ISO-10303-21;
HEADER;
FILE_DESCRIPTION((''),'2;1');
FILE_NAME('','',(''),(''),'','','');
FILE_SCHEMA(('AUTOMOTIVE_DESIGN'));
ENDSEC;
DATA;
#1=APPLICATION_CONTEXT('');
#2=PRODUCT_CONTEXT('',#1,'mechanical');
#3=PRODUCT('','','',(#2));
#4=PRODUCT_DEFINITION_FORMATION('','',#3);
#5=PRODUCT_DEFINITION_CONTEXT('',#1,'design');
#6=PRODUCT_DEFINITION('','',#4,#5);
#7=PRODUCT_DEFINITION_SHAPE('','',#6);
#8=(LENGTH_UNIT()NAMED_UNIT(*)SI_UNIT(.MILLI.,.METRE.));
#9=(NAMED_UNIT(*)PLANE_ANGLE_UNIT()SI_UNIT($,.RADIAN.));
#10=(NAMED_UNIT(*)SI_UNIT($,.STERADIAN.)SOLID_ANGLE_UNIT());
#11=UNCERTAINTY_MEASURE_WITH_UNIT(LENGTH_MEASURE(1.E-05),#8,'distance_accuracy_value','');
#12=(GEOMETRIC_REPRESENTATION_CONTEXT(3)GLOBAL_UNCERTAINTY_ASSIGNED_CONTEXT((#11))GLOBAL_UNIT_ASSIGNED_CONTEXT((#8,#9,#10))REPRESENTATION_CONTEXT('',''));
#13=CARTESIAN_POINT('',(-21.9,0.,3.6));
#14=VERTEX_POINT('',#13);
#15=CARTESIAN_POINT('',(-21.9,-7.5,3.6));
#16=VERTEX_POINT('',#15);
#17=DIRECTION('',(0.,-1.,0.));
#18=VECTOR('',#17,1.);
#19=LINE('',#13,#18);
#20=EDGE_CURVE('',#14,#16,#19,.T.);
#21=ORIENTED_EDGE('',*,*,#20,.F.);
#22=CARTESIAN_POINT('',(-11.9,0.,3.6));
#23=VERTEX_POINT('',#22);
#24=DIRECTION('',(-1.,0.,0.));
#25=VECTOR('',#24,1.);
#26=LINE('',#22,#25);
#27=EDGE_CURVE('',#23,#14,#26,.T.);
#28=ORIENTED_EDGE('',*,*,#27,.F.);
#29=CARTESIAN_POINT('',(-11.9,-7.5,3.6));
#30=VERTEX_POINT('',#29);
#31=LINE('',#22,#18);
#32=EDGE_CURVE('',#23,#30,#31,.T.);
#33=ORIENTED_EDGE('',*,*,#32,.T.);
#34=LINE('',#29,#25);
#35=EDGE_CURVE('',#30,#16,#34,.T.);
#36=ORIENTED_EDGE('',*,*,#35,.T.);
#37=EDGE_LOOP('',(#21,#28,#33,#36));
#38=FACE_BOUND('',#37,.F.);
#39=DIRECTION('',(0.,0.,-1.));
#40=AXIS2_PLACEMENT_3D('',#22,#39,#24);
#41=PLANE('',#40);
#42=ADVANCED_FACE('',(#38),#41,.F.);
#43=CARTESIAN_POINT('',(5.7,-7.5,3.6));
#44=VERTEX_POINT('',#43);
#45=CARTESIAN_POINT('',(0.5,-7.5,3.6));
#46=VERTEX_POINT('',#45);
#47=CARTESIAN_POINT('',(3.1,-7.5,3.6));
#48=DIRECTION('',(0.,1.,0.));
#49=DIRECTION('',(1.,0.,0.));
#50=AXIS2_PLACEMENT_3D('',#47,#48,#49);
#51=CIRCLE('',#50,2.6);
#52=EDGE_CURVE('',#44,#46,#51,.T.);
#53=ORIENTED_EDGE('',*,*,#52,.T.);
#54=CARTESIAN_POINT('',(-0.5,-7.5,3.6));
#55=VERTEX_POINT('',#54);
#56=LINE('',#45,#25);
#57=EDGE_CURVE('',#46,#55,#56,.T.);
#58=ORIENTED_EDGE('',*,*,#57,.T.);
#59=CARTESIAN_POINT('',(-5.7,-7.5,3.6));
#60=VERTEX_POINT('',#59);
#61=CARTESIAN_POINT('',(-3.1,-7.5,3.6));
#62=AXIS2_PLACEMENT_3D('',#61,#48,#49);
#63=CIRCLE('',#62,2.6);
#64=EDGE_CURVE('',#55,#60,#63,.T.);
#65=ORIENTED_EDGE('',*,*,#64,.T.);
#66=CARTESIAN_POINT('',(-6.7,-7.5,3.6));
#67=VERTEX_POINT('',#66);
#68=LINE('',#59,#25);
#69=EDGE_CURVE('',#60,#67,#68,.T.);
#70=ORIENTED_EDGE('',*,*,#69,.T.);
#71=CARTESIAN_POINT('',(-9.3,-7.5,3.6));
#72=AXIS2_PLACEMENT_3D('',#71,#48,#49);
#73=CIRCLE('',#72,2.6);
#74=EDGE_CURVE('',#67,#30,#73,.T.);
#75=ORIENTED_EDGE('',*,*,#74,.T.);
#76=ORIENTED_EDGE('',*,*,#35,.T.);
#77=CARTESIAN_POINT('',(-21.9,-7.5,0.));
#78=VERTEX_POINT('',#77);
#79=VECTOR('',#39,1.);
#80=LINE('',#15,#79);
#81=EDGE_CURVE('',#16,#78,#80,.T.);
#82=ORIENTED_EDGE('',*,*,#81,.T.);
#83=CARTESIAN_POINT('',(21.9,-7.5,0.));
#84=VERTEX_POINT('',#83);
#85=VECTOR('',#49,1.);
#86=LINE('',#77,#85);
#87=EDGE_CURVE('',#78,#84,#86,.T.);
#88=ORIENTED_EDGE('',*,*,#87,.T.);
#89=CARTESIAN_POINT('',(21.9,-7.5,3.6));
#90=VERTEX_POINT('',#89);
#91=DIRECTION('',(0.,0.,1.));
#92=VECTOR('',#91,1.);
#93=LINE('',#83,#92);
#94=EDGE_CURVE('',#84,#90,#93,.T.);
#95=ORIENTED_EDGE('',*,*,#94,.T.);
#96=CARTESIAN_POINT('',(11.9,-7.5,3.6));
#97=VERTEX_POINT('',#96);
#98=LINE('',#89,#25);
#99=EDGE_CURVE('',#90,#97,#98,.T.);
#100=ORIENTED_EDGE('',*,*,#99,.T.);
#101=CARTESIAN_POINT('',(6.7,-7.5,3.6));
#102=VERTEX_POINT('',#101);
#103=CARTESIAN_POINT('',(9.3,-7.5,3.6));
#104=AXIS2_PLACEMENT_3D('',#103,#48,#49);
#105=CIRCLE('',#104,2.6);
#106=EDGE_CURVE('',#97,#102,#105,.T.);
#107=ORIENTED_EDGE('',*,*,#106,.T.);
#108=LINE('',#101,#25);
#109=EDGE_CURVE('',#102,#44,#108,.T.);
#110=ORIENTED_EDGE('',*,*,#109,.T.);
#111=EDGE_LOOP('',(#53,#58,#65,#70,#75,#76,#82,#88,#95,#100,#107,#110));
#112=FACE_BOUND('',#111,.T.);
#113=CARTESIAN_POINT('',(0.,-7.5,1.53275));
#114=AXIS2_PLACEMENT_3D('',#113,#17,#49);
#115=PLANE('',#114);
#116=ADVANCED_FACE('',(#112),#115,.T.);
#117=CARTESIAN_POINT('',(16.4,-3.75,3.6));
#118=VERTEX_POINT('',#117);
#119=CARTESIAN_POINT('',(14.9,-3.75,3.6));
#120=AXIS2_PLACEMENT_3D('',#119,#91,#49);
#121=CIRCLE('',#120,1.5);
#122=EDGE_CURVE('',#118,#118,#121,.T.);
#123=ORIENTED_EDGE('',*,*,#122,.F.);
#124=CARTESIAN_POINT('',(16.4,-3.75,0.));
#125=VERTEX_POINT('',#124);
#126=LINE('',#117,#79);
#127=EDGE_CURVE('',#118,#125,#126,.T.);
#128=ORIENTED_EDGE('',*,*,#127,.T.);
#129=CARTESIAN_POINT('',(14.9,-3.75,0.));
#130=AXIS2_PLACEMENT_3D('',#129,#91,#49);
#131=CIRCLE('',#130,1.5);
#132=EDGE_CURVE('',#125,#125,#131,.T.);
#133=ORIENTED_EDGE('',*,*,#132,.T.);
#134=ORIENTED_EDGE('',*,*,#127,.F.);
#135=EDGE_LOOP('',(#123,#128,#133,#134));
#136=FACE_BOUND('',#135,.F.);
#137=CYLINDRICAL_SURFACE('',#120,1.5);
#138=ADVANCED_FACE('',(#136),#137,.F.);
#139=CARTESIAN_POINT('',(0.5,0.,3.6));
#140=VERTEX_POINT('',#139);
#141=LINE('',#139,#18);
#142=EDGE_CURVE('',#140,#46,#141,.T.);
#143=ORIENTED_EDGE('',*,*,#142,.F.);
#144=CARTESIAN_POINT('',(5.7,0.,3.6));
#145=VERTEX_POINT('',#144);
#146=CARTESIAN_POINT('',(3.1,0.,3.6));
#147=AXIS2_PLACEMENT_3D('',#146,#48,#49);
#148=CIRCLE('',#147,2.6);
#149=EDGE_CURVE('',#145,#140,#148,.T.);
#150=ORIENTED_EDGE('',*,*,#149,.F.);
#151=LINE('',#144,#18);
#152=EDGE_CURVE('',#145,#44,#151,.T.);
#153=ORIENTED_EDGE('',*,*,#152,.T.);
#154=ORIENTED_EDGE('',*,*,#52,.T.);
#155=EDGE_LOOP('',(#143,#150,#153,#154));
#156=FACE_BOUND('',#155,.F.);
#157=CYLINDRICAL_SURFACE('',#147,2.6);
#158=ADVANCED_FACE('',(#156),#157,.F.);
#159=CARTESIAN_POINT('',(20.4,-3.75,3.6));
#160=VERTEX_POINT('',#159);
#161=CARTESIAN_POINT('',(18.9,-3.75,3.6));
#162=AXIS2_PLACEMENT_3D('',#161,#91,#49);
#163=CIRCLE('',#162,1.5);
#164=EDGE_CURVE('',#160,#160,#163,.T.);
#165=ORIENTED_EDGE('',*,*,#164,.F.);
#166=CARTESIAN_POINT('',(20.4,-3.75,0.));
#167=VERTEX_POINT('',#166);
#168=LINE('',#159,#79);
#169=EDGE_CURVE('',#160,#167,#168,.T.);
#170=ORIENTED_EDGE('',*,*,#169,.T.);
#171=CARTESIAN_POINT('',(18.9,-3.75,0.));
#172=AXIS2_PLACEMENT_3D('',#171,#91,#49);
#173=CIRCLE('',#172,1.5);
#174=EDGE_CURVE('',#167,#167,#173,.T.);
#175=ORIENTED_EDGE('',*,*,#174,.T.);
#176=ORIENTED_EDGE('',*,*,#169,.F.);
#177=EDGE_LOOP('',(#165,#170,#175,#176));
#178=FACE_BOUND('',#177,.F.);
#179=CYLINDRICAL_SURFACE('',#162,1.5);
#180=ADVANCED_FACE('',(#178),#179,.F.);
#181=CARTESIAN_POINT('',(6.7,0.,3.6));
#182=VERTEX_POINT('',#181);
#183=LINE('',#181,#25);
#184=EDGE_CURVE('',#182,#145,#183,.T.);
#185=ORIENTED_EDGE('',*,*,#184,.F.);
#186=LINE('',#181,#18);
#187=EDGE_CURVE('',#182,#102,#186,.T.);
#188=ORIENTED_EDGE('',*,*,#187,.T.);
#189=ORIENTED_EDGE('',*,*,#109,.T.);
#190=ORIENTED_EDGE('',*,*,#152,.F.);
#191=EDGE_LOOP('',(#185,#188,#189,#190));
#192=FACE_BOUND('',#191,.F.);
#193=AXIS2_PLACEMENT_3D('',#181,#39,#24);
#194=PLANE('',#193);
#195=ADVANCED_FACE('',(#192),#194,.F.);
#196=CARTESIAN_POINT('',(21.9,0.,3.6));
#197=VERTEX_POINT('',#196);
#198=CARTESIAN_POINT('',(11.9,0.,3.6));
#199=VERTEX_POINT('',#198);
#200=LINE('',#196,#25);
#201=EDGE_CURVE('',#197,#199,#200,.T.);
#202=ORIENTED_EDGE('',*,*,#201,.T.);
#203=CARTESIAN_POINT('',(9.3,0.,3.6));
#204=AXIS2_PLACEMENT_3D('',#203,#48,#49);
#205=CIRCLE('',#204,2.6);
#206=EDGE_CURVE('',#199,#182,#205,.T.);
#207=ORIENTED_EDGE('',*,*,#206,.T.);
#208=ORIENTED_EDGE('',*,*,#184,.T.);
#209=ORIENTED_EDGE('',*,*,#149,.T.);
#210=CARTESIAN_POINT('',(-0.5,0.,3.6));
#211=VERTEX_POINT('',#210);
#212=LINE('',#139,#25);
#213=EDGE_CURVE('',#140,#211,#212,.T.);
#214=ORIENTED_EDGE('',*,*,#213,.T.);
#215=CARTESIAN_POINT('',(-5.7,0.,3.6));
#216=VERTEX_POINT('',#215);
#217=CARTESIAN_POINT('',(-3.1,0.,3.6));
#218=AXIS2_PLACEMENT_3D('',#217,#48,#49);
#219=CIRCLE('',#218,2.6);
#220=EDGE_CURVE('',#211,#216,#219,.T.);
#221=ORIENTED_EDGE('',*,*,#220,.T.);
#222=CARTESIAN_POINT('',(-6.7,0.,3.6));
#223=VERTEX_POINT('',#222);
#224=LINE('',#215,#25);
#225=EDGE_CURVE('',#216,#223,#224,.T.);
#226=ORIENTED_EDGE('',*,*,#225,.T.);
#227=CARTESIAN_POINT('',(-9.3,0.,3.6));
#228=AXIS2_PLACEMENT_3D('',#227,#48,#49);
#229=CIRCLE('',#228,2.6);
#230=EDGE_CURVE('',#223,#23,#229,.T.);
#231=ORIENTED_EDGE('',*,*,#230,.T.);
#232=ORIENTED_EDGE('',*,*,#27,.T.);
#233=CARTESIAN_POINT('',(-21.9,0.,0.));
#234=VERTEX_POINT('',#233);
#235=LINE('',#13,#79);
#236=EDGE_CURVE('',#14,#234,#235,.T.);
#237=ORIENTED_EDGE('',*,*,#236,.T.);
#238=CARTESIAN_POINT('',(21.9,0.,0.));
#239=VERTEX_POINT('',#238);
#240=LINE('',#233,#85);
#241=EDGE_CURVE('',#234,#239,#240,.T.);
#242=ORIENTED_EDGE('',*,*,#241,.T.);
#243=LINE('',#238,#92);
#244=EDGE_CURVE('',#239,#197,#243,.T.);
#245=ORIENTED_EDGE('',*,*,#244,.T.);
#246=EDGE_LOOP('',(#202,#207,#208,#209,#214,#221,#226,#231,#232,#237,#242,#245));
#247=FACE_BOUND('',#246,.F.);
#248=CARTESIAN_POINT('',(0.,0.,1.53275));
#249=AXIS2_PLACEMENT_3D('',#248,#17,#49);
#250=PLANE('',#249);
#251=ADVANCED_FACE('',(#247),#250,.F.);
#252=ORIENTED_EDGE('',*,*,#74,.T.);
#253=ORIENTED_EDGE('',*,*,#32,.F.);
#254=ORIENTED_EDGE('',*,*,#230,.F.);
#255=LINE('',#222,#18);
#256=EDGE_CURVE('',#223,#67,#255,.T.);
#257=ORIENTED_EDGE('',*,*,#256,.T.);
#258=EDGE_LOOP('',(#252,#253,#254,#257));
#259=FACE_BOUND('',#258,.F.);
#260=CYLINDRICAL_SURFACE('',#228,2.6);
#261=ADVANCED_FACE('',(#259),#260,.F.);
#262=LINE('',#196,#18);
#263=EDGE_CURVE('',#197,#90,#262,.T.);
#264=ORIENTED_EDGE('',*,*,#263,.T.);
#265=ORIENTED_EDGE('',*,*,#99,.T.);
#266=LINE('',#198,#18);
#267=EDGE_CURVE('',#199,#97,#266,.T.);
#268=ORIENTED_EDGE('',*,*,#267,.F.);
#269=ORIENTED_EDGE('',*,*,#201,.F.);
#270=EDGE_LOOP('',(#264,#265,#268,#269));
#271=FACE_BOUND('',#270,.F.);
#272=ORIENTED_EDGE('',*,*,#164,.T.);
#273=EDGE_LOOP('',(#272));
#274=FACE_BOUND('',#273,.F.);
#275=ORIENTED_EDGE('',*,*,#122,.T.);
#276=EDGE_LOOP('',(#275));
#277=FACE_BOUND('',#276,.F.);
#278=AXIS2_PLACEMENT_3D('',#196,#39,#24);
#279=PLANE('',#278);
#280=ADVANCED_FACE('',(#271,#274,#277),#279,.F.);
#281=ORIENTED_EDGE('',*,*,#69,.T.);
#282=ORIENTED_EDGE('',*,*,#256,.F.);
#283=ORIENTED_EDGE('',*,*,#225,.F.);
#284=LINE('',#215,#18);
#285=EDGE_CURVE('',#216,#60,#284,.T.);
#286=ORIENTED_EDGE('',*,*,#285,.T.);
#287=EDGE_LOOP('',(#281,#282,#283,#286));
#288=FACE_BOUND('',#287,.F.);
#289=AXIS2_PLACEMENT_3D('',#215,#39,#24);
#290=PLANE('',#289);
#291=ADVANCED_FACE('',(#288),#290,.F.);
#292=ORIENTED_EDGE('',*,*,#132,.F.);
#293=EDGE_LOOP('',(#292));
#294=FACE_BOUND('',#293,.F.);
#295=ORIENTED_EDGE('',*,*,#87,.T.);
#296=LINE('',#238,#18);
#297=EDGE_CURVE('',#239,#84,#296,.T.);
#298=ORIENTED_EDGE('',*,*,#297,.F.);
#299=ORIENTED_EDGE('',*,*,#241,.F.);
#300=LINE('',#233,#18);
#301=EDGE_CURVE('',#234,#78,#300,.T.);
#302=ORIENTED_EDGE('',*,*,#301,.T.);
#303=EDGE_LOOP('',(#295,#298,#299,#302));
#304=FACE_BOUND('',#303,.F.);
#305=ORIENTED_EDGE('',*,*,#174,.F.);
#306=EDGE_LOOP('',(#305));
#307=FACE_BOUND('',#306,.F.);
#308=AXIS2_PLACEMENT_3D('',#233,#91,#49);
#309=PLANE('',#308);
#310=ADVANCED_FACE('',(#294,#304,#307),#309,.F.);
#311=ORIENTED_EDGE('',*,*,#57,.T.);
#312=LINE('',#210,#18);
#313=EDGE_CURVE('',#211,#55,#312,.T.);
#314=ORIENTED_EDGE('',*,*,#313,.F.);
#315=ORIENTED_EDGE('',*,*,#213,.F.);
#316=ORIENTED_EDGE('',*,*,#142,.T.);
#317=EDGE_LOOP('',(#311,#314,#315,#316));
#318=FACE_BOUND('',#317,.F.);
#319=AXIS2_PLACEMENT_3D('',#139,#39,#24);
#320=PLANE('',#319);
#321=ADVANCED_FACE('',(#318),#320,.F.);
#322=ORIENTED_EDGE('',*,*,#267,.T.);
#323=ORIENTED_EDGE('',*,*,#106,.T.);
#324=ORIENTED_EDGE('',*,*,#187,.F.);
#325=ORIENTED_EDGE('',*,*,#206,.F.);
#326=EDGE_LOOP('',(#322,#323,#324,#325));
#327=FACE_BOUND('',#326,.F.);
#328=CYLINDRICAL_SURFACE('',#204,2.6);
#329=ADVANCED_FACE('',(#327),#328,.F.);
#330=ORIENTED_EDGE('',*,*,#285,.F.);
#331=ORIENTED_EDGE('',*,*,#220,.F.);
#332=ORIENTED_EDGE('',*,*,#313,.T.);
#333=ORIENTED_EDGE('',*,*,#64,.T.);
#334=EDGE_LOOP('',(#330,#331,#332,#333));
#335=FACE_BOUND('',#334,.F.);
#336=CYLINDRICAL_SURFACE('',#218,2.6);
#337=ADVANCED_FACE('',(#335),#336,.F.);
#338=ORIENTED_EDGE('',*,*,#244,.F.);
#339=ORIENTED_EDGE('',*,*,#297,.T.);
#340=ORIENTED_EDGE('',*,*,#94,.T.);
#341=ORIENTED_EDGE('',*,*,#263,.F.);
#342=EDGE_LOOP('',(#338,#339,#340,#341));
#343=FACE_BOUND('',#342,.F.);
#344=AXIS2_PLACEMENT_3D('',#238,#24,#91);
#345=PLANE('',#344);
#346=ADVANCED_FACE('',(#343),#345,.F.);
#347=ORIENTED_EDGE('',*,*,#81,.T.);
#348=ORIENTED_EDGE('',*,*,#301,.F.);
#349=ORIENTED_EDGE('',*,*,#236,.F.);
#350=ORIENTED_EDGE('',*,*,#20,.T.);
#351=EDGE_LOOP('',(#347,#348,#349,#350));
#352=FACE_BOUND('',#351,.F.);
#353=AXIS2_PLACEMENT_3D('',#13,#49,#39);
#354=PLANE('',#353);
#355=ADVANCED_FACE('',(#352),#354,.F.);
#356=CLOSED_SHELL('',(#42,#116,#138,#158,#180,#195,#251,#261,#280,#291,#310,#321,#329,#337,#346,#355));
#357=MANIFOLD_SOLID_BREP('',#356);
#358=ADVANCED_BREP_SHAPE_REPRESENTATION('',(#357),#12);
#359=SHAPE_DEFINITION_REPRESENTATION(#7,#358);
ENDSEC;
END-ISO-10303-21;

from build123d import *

# Parameters (mm, degrees)
F1_DEPTH = 7.5
F2_R     = 1.5
F3_DEPTH = 25


with BuildPart() as f1:
    # F0 (on Front) → F1 (new body)
    with BuildSketch(Plane.XZ):
        with BuildLine():
            Line((21.9, 3.6), (11.9, 3.6))
            ThreePointArc((11.9, 3.6), (9.3, 1), (6.7, 3.6))
            Line((6.7, 3.6), (5.7, 3.6))
            ThreePointArc((5.7, 3.6), (3.1, 1), (0.5, 3.6))
            Line((0.5, 3.6), (-0.5, 3.6))
            ThreePointArc((-0.5, 3.6), (-3.1, 1), (-5.7, 3.6))
            Line((-5.7, 3.6), (-6.7, 3.6))
            ThreePointArc((-6.7, 3.6), (-9.3, 1), (-11.9, 3.6))
            Line((-11.9, 3.6), (-21.9, 3.6))
            Line((-21.9, 3.6), (-21.9, 0))
            Line((-21.9, 0), (21.9, 0))
            Line((21.9, 0), (21.9, 3.6))
        make_face()
    extrude(amount=F1_DEPTH)

    # F2 (on face) → F3 (cut)
    with BuildSketch(Plane.XY.offset(3.6)):
        with Locations((18.9, -3.75)):
            Circle(F2_R)
        with Locations((14.9, -3.75)):
            Circle(F2_R)
    extrude(amount=-F3_DEPTH, mode=Mode.SUBTRACT)


solid = f1.part
